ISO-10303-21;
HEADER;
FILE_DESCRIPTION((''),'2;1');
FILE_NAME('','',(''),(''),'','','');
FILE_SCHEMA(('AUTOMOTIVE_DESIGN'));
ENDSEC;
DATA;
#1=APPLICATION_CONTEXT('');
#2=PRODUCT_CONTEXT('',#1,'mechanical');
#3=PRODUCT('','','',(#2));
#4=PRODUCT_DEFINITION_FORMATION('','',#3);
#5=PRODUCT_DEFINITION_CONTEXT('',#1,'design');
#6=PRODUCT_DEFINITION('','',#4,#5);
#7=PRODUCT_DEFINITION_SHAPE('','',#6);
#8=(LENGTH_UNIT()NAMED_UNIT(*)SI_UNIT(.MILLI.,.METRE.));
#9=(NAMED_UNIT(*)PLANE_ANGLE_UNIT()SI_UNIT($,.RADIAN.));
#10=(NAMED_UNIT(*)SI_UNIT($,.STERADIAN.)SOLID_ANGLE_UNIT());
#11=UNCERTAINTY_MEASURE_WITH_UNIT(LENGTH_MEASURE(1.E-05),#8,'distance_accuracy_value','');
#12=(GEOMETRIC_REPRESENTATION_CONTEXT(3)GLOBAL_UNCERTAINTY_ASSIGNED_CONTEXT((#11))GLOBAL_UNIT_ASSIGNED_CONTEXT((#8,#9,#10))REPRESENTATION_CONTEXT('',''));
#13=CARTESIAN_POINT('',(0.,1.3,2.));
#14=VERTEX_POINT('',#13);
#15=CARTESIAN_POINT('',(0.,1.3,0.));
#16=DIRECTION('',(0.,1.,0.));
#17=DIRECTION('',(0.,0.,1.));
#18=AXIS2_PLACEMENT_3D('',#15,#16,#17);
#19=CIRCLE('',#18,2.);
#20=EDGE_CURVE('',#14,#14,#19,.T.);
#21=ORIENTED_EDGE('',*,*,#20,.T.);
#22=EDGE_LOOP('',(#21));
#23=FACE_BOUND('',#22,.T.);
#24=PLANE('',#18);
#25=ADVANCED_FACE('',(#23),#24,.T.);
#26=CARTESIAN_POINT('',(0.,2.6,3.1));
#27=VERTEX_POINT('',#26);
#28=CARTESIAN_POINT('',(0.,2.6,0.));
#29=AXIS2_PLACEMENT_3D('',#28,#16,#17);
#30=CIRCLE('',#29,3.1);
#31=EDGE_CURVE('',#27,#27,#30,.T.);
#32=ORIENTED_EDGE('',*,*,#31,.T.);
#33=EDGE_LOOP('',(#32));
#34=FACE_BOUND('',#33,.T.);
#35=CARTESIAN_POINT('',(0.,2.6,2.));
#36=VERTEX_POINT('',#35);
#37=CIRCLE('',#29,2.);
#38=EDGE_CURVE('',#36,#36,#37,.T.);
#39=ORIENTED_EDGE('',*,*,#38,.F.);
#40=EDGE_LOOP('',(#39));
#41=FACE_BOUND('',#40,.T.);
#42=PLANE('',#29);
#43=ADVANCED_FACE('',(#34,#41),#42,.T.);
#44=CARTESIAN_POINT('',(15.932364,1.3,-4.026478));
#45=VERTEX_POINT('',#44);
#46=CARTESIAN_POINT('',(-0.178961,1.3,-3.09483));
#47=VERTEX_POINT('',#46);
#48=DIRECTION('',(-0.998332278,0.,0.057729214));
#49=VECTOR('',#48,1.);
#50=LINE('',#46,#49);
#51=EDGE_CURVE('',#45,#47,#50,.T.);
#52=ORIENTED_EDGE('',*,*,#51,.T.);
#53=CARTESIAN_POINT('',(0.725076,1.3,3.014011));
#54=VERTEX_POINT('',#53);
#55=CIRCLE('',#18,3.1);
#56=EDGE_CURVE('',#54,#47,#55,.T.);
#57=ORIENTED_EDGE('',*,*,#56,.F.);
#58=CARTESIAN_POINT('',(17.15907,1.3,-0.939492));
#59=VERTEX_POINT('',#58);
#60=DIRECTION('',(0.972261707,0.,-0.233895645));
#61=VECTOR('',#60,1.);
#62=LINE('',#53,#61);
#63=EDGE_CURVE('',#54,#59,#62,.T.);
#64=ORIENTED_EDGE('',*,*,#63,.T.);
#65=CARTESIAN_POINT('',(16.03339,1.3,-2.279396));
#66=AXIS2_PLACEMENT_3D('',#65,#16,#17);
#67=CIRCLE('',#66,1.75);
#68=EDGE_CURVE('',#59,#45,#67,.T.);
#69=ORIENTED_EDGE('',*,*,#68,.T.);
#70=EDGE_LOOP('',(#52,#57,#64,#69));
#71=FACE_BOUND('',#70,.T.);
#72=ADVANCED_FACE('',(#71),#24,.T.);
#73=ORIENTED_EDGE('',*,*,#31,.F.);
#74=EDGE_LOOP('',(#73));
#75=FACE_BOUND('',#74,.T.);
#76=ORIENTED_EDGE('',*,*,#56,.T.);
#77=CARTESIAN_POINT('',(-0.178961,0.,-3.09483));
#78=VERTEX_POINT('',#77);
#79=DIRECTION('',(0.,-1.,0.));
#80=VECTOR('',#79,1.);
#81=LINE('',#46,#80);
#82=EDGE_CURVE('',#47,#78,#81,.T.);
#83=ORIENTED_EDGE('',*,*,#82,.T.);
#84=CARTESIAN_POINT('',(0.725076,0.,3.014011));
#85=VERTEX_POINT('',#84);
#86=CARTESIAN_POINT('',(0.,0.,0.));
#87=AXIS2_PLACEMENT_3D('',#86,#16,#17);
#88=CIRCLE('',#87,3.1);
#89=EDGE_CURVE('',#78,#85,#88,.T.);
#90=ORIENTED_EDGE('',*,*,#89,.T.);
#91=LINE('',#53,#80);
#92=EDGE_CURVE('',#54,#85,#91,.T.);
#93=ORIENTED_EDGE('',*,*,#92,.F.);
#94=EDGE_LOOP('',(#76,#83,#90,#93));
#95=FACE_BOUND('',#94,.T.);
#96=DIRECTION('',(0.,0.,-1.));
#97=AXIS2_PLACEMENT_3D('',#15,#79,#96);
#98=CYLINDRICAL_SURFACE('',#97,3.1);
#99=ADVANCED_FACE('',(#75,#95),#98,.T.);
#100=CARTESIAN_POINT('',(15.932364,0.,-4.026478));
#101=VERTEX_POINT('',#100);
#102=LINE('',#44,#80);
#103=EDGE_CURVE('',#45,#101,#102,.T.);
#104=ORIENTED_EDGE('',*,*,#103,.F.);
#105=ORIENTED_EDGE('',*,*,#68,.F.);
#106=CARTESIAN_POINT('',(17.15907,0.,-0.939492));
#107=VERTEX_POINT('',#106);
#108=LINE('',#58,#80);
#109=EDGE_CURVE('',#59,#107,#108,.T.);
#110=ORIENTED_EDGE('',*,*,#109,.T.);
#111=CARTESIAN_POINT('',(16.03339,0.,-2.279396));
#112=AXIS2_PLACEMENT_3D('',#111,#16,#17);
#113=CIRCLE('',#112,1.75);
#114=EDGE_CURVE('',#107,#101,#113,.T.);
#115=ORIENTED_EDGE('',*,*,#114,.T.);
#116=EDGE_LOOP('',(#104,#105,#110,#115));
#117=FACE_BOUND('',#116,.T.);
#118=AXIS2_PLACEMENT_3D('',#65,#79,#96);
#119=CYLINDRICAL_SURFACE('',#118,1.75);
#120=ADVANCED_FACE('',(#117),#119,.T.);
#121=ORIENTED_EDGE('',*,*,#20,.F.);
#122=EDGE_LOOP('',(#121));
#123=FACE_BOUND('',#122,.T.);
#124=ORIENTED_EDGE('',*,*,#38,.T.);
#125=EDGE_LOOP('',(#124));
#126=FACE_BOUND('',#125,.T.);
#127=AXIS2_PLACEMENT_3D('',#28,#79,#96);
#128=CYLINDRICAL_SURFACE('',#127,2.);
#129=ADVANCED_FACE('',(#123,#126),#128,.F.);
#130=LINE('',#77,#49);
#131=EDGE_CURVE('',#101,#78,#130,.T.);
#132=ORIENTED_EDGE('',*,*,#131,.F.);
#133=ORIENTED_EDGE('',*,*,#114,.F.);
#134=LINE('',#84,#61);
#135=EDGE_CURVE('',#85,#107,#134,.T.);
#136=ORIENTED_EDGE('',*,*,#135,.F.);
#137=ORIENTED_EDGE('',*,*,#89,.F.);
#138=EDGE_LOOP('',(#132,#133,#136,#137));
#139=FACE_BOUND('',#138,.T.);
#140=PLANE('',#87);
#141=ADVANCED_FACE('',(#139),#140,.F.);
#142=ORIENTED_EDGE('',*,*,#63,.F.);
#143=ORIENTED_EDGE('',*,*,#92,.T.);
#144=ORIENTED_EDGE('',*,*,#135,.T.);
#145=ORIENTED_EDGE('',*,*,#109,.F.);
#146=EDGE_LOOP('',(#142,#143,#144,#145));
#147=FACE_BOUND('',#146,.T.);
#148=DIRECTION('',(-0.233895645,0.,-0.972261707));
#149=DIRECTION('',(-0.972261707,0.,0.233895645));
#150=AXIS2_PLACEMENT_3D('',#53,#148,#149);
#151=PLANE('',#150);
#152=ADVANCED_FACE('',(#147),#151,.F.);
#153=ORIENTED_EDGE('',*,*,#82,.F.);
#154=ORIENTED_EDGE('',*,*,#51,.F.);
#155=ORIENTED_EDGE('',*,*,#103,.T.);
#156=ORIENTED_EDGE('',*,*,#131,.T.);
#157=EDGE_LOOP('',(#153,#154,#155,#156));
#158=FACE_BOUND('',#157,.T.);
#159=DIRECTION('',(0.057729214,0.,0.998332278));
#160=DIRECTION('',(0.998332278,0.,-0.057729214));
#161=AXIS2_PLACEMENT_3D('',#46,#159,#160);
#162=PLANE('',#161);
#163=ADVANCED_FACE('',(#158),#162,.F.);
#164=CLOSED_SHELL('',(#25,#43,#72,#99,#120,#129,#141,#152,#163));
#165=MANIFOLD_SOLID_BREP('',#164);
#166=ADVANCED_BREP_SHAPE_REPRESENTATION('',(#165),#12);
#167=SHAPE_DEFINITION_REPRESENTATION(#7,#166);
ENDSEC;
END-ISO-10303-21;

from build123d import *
from build123d.topology import SkipClean

# Parameters (mm, degrees)
BOSS_EXTRUDE1_DEPTH = 1.3
SKETCH2_R           = 3.1
SKETCH2_R_2         = 2
BOSS_EXTRUDE2_DEPTH = 1.3


with BuildPart() as part:
    # Sketch1 → Boss-Extrude1 (new body)
    with BuildSketch(Plane(origin=(0, 0, 0), x_dir=(1, 0, 0), z_dir=(0, 1, 0))):
        with BuildLine():
            Line((-0.178960564, 3.094830063), (15.932363725, 4.026477881))
            ThreePointArc((15.932363725, 4.026477881), (17.659689309, 2.925654907), (17.159069655, 0.939491555))
            Line((17.159069655, 0.939491555), (0.725076499, -3.014011292))
            ThreePointArc((0.725076499, -3.014011292), (-3.066601756, -0.453821189), (-0.178960564, 3.094830063))
        make_face()
    extrude(amount=BOSS_EXTRUDE1_DEPTH)

    # Sketch2 → Boss-Extrude2 (add)
    with SkipClean():  # the faces are left unmerged after this step: merging them gives an invalid solid
        with BuildSketch(Plane(origin=(0, 1.3, 0), x_dir=(1, 0, 0), z_dir=(0, 1, 0))):
            with Locations(Location((0, 0, 0), (0, 0, 93.309480289))):
                Circle(SKETCH2_R)
            with Locations(Location((0, 0, 0), (0, 0, 270))):
                Circle(SKETCH2_R_2, mode=Mode.SUBTRACT)
        extrude(amount=BOSS_EXTRUDE2_DEPTH)


solid = part.part
